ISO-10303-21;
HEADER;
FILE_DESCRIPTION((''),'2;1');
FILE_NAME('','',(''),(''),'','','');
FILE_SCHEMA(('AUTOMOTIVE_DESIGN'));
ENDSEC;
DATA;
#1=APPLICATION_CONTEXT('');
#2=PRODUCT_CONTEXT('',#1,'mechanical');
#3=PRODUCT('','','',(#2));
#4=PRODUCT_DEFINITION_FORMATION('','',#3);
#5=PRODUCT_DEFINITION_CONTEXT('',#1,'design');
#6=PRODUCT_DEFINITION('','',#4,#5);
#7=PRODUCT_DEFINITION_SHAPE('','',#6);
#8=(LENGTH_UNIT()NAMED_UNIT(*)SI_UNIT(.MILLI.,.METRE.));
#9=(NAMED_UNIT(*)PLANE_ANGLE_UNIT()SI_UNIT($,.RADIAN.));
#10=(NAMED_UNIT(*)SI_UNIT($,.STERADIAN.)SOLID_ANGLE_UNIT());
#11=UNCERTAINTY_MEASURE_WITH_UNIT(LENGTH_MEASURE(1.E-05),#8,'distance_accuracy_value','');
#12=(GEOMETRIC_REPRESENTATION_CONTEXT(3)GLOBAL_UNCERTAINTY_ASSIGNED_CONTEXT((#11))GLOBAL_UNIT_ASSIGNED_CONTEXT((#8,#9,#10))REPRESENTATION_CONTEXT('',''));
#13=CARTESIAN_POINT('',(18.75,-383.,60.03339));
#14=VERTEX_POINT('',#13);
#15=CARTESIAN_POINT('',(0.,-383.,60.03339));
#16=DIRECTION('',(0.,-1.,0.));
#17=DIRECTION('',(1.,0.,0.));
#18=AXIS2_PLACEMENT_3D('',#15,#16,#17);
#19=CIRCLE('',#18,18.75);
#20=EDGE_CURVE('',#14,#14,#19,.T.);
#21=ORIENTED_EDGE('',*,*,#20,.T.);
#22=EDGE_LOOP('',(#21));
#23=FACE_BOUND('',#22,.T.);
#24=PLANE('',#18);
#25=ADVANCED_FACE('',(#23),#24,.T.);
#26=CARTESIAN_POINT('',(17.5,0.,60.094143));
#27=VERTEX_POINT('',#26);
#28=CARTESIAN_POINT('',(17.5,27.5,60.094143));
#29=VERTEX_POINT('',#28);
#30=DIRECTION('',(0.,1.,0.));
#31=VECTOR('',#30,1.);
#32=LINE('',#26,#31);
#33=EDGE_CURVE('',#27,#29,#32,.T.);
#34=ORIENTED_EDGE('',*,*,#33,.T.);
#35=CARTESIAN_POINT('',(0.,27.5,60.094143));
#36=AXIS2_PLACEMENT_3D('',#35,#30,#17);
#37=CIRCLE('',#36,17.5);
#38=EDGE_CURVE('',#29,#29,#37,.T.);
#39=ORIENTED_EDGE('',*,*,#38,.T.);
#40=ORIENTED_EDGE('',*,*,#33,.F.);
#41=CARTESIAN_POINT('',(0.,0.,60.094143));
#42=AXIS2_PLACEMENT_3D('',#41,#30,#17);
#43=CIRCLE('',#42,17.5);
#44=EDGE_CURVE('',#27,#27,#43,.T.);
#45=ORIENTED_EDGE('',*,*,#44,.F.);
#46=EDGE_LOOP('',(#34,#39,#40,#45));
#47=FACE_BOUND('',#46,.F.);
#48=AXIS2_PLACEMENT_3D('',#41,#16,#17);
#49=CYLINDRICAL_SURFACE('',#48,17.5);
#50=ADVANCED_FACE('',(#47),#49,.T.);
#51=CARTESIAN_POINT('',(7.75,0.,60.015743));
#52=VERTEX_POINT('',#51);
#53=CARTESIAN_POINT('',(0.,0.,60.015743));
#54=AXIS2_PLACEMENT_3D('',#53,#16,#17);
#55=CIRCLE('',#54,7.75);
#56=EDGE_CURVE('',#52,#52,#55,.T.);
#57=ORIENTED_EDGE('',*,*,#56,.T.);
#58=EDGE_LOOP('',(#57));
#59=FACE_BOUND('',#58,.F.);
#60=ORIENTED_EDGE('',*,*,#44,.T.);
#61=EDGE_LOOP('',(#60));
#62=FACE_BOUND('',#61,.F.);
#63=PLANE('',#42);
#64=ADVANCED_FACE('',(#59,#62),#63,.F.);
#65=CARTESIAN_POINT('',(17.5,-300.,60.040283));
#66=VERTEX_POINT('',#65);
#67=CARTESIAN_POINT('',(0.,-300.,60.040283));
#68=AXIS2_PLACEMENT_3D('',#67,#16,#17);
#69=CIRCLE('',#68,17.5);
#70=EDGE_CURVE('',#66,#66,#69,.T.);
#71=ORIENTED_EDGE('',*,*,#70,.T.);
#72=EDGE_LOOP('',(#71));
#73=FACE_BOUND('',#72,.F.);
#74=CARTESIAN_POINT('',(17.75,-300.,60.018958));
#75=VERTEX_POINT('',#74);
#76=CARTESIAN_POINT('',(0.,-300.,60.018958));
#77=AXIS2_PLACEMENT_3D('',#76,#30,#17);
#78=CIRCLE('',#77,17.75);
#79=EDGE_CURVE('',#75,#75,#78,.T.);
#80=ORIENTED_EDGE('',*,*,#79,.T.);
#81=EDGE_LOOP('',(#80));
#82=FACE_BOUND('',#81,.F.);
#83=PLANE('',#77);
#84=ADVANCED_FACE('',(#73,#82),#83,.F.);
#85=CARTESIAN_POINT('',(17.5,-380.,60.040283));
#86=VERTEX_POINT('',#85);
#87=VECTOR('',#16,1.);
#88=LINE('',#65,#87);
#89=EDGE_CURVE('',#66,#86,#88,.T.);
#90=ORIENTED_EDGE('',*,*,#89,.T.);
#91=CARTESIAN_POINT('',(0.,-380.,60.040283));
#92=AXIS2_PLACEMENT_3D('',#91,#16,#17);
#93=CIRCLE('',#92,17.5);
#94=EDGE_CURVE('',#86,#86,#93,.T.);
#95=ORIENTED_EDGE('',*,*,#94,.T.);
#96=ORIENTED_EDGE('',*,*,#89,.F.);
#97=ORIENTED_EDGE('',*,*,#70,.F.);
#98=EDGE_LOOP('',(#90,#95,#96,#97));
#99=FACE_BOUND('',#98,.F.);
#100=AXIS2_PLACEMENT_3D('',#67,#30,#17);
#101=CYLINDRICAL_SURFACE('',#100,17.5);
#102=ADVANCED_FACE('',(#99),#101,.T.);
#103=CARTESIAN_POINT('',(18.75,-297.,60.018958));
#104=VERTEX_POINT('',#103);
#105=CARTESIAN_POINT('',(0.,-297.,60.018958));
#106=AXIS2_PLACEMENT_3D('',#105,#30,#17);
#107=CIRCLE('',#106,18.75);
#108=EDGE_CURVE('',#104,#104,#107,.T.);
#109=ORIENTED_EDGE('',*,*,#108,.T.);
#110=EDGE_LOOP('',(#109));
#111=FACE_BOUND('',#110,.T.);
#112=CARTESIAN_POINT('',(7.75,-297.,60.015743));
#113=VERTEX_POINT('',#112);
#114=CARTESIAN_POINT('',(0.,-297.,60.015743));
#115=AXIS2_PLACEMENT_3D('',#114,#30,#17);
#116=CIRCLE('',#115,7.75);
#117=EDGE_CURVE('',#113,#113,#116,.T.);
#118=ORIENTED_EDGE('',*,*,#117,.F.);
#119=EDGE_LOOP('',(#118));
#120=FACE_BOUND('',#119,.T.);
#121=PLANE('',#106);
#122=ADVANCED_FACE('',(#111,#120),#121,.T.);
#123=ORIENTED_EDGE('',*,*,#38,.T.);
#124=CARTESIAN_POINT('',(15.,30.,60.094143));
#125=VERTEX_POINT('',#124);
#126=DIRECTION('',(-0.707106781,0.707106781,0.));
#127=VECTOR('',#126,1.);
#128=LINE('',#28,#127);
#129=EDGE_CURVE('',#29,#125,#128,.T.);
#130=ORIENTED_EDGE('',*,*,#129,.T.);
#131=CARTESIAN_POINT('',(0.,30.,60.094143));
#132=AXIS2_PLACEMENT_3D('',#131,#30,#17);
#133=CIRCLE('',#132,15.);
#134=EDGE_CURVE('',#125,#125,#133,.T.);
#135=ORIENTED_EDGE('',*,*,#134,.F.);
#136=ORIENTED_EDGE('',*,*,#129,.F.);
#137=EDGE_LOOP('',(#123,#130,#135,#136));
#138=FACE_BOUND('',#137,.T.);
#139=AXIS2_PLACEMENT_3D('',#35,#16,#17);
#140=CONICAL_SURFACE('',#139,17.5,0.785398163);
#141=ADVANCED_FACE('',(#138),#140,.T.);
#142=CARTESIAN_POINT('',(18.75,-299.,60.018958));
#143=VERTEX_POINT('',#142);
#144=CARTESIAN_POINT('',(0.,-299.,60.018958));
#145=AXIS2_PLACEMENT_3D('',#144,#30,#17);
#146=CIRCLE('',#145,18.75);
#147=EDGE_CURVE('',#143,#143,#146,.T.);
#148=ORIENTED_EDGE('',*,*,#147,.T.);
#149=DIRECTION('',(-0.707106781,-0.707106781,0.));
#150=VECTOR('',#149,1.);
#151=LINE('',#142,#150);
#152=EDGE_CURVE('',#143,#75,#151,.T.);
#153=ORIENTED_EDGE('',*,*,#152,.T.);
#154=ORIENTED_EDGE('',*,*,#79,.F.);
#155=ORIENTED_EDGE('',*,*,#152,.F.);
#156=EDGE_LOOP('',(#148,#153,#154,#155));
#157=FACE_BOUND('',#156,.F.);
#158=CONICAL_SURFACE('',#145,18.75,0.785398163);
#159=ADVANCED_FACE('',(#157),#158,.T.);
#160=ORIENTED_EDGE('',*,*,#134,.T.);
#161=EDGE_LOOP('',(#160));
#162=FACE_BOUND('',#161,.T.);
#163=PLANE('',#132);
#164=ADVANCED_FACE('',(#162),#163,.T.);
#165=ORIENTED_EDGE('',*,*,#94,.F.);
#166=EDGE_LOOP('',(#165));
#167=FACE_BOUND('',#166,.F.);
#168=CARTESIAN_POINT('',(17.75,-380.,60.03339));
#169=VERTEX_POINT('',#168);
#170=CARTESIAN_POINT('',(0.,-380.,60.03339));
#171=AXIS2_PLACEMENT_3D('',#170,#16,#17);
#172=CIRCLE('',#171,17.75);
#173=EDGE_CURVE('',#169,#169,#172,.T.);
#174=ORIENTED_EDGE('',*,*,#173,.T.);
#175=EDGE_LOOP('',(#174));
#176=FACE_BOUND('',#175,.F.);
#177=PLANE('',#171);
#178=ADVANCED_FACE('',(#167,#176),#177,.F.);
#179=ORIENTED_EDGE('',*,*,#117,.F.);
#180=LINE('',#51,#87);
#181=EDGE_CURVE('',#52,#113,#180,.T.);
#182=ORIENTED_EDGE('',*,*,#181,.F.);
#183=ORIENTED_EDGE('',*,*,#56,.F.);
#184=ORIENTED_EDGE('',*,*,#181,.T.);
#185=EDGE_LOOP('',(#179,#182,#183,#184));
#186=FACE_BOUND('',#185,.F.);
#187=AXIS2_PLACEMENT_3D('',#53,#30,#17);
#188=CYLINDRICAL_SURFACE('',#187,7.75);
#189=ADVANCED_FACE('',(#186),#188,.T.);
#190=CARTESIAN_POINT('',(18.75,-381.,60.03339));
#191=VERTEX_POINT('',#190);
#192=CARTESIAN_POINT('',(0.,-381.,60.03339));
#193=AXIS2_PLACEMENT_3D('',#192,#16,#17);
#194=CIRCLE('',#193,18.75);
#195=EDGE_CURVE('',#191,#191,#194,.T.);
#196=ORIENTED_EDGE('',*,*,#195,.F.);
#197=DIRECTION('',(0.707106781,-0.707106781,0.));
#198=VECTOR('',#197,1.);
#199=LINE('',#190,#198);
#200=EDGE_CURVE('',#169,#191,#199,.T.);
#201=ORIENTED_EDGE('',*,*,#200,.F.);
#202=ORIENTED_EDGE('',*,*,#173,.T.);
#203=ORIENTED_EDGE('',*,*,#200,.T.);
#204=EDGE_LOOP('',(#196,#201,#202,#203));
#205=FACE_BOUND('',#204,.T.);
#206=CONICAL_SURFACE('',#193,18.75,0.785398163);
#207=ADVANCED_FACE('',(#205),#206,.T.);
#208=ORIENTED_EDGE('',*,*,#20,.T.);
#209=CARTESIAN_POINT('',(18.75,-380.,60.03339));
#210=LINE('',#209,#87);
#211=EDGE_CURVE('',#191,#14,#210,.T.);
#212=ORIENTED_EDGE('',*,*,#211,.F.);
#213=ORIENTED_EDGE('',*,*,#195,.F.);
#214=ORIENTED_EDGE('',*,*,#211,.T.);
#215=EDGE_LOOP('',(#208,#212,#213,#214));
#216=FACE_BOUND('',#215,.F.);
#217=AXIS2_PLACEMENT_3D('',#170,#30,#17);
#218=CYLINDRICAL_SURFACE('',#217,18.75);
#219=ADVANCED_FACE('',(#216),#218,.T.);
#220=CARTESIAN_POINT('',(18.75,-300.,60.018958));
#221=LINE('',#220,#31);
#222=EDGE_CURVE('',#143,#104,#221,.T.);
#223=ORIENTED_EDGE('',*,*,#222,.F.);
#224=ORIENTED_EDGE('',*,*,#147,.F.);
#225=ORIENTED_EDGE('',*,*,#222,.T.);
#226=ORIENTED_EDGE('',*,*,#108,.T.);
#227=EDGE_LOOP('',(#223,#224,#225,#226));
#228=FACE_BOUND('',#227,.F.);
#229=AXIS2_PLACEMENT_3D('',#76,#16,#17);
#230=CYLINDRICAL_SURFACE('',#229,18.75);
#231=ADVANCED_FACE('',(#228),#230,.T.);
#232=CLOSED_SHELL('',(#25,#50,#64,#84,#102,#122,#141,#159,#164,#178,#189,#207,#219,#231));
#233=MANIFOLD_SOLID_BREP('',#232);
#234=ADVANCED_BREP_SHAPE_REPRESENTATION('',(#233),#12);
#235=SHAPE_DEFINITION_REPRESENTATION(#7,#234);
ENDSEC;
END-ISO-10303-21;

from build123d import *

# Parameters (mm, degrees)
SKETCH016_R     = 7.75
PAD006_DEPTH    = 300
SKETCH017_R     = 17.5
PAD007_DEPTH    = 30
CHAMFER006_SIZE = 2.5
SKETCH018_R     = 17.5
PAD008_DEPTH    = 80
SKETCH019_R     = 18.75
PAD009_DEPTH    = 3
SKETCH020_R     = 18.75
PAD010_DEPTH    = 3
CHAMFER007_SIZE = 1


with BuildPart() as part:
    # Sketch016 → Pad006 (new body)
    with BuildSketch(Plane.XZ):
        with Locations((0, 60.015743)):
            Circle(SKETCH016_R)
    extrude(amount=PAD006_DEPTH)

    # Sketch017 (on Face2 of Pad006) → Pad007 (join)
    with BuildSketch(Plane(origin=(0, 0, 0), x_dir=(1, 0, 0), z_dir=(0, 1, 0))):
        with Locations((0, -60.094143)):
            Circle(SKETCH017_R)
    extrude(amount=PAD007_DEPTH)

    # Chamfer006
    chamfer006_edges = [part.edges().sort_by_distance(p)[0] for p in [
        (-17.5, 30, 60.094143),
    ]]
    chamfer(chamfer006_edges, length=CHAMFER006_SIZE)

    # Sketch018 (on Face6 of Chamfer006) → Pad008 (join)
    with BuildSketch(Plane.XZ.offset(300)):
        with Locations((0, 60.040283)):
            Circle(SKETCH018_R)
    extrude(amount=PAD008_DEPTH)

    # Sketch019 (on Face8 of Pad008) → Pad009 (join)
    with BuildSketch(Plane.XZ.offset(380)):
        with Locations((0, 60.03339)):
            Circle(SKETCH019_R)
    extrude(amount=PAD009_DEPTH)

    # Sketch020 (on Face6 of Pad009) → Pad010 (join)
    with BuildSketch(Plane(origin=(0, -300, 0), x_dir=(1, 0, 0), z_dir=(0, 1, 0))):
        with Locations((0, -60.018958)):
            Circle(SKETCH020_R)
    extrude(amount=PAD010_DEPTH)

    # Chamfer007
    chamfer007_edges = [part.edges().sort_by_distance(p)[0] for p in [
        (-18.75, -300, 60.018958),
        (-18.75, -380, 60.03339),
    ]]
    chamfer(chamfer007_edges, length=CHAMFER007_SIZE)


solid = part.part
